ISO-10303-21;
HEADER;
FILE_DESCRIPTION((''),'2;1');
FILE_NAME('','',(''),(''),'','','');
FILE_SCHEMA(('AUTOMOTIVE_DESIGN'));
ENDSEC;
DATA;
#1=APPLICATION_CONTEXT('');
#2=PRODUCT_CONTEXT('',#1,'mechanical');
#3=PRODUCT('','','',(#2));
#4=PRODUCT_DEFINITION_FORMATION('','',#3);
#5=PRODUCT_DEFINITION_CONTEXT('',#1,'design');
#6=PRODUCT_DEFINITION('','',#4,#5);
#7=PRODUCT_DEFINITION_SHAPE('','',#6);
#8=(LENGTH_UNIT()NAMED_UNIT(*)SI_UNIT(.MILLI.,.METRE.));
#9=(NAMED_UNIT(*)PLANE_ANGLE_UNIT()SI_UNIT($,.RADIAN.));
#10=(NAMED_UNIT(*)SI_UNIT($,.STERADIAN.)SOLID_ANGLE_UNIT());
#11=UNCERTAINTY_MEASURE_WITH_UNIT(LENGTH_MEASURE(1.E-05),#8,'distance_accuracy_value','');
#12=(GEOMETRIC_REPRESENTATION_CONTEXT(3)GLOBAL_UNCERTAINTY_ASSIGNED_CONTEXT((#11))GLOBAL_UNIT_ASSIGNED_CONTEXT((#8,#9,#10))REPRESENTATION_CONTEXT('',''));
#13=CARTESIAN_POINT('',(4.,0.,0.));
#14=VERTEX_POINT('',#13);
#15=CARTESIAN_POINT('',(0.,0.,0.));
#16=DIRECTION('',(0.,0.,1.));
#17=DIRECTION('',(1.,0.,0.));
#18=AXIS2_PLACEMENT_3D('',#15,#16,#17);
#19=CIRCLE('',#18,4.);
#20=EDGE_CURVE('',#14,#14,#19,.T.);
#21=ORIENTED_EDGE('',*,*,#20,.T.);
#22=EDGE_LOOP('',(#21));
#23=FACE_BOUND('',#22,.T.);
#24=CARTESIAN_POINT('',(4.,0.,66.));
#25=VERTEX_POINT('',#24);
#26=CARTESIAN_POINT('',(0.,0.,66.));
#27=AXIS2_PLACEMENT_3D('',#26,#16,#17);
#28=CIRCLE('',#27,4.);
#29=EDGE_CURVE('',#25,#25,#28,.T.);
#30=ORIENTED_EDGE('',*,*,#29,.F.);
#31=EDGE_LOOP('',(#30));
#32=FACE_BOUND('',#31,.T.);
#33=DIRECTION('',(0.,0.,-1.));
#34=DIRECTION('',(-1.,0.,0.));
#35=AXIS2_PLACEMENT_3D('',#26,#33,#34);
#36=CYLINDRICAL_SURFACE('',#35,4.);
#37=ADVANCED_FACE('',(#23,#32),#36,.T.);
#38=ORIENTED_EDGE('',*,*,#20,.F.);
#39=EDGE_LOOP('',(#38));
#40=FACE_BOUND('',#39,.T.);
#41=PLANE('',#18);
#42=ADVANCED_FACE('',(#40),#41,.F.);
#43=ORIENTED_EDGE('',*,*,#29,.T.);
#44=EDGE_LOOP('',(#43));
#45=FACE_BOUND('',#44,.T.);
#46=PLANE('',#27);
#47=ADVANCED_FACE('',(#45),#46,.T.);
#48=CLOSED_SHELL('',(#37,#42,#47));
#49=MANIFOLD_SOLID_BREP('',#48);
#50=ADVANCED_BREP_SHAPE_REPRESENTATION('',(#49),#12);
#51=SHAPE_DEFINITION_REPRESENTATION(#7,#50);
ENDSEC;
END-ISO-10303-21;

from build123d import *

# Parameters (mm, degrees)
SKETCH1_R           = 4
BOSS_EXTRUDE1_DEPTH = 66


with BuildPart() as part:
    # Sketch1 → Boss-Extrude1 (new body)
    with BuildSketch(Plane.XY):
        Circle(SKETCH1_R)
    extrude(amount=BOSS_EXTRUDE1_DEPTH)


solid = part.part
